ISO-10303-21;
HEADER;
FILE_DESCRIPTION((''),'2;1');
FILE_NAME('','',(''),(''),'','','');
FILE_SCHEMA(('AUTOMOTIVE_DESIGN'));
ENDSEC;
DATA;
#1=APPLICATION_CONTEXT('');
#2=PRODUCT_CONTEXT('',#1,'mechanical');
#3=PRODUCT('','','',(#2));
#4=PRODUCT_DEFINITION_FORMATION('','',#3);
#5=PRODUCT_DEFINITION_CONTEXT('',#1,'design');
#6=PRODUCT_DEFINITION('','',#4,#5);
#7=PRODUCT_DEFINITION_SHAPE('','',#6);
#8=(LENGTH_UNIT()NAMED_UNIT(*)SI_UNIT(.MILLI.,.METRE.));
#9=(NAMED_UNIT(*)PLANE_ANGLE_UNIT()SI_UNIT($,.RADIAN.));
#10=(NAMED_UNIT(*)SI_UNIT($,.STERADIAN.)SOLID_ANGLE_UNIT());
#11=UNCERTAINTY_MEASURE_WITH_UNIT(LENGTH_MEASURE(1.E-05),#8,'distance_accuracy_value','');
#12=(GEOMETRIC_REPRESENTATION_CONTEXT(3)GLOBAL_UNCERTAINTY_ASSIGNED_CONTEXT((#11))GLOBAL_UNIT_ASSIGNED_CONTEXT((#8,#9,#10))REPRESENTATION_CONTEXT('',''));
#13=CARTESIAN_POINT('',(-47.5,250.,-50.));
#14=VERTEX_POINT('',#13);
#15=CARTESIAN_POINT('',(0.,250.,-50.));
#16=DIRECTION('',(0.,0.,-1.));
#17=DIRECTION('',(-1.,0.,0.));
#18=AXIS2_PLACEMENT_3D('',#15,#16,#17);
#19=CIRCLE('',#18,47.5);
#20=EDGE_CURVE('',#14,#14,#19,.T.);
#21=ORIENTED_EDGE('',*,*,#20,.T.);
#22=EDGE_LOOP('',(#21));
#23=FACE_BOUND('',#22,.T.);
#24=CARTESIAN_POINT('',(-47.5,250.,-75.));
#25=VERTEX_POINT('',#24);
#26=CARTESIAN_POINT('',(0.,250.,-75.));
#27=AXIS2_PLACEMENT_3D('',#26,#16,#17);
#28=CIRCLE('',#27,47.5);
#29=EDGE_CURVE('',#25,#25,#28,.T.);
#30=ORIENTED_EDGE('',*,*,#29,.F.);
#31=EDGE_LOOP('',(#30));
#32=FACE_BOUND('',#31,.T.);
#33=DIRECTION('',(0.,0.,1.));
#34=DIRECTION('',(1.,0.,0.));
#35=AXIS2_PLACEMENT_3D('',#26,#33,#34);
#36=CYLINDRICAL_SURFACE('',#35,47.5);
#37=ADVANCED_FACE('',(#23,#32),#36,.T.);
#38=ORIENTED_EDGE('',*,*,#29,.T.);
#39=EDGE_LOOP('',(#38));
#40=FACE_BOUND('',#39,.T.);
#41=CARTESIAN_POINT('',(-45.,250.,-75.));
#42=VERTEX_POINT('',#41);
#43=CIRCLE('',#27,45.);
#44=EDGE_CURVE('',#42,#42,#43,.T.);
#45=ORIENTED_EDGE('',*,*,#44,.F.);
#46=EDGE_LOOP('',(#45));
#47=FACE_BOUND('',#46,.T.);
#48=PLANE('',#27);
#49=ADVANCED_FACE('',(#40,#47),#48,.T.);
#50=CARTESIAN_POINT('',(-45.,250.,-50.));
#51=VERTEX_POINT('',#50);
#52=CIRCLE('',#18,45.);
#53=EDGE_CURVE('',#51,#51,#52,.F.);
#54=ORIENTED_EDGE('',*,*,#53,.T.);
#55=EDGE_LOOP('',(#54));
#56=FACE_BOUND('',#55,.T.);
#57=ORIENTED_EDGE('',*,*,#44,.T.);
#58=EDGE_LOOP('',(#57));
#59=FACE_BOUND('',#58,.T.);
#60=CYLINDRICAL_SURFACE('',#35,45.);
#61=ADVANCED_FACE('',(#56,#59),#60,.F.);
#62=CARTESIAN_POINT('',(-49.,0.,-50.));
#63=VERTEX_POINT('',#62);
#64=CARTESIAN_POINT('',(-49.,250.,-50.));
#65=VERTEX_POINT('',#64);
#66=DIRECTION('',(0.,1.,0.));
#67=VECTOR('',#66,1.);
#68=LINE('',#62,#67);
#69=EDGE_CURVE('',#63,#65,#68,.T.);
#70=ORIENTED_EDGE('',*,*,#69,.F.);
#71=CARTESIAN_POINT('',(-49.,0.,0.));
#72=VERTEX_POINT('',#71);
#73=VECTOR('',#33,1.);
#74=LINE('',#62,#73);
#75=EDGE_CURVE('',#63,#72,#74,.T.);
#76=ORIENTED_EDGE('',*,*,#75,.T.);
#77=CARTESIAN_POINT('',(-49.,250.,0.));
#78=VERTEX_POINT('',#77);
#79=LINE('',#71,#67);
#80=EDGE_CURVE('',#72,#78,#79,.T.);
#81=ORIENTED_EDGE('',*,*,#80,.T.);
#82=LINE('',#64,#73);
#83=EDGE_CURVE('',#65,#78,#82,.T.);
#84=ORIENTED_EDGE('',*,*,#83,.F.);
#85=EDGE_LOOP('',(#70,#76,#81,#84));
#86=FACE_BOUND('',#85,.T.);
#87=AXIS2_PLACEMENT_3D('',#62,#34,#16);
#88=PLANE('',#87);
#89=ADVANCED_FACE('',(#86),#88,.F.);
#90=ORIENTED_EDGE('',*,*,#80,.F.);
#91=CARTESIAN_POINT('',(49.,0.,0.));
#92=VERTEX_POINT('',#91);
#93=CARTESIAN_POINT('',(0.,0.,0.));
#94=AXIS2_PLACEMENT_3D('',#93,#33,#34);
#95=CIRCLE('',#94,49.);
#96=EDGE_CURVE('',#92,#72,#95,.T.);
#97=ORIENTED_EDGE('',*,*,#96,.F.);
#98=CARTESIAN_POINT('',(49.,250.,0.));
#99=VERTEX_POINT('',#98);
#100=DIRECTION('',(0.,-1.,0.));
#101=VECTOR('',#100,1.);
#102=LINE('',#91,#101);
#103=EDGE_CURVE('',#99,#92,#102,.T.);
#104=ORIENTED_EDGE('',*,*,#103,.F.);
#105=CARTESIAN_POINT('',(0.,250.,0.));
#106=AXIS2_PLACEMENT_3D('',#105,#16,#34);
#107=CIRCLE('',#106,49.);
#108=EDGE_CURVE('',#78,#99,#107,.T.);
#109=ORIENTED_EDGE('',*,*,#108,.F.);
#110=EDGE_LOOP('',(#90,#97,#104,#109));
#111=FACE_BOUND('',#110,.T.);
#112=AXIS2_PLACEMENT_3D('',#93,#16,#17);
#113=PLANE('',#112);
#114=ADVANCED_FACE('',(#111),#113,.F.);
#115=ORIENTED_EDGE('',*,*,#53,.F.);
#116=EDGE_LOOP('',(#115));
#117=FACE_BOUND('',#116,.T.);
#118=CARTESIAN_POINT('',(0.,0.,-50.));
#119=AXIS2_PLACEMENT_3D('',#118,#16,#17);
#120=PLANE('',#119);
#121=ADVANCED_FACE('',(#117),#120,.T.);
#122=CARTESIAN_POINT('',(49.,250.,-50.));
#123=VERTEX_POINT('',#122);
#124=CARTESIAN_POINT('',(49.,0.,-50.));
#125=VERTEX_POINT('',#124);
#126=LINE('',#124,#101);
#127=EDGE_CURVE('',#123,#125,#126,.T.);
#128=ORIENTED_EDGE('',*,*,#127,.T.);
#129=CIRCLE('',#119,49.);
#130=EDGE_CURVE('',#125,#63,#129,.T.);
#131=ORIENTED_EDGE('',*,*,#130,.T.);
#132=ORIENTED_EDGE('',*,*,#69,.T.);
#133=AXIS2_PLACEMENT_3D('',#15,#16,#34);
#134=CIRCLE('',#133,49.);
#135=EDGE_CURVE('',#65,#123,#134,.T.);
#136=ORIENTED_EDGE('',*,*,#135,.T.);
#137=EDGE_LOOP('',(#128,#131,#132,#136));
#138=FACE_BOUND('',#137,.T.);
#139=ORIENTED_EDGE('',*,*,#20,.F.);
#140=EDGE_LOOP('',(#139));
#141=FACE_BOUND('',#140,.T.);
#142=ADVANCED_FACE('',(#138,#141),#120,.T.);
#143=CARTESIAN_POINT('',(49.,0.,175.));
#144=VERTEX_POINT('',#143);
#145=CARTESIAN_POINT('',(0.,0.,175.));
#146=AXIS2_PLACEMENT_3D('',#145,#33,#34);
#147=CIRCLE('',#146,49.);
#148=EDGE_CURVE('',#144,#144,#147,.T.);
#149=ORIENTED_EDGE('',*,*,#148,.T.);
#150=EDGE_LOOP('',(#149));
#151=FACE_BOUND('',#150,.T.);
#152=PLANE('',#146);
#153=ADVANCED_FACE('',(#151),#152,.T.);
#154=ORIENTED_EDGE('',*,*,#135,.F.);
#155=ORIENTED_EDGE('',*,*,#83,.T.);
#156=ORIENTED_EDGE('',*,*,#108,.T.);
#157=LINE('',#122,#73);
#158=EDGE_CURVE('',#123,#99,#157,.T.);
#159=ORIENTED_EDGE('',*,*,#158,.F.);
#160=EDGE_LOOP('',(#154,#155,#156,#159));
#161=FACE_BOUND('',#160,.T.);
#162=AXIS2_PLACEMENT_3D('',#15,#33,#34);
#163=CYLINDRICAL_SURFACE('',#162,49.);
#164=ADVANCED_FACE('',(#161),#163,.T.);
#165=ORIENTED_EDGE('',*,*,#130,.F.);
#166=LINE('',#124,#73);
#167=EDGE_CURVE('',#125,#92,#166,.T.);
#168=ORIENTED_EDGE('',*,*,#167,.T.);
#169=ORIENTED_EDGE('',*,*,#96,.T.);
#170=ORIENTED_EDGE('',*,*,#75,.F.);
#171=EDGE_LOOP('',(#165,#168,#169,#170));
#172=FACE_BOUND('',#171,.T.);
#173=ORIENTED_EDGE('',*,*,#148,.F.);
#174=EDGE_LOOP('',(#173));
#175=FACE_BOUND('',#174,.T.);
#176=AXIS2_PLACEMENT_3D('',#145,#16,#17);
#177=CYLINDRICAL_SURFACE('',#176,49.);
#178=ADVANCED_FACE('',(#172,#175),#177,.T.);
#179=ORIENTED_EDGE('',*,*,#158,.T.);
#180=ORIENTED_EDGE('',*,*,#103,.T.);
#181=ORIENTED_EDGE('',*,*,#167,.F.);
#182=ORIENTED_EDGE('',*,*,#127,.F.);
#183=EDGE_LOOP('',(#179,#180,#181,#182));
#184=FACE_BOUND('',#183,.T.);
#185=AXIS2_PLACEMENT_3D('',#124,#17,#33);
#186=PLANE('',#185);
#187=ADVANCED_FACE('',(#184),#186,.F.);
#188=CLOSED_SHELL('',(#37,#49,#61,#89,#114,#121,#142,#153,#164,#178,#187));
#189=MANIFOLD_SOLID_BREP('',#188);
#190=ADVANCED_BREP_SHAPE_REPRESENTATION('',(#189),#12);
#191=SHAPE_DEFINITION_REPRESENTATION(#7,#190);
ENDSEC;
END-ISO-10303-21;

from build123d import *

# Parameters (mm, degrees)
SKETCH1_R           = 49
BOSS_EXTRUDE1_DEPTH = 175
BOSS_EXTRUDE2_START = 50
BOSS_EXTRUDE2_DEPTH = 50
SKETCH3_R           = 47.5
SKETCH3_R_2         = 45
BOSS_EXTRUDE3_DEPTH = 25


with BuildPart() as part:
    # Sketch1 → Boss-Extrude1 (new body)
    with BuildSketch(Plane.XY):
        Circle(SKETCH1_R)
    extrude(amount=BOSS_EXTRUDE1_DEPTH)

    # Sketch2 → Boss-Extrude2 (add)
    with BuildSketch(Plane(origin=(0, 0, 0), x_dir=(-1, 0, 0), z_dir=(0, 0, -1)).offset(BOSS_EXTRUDE2_START)):
        with BuildLine():
            Line((-49, 0), (-49, 250))
            ThreePointArc((-49, 250), (0, 299), (49, 250))
            Line((49, 250), (49, 0))
            ThreePointArc((49, 0), (0, -49), (-49, 0))
        make_face()
    extrude(amount=-BOSS_EXTRUDE2_DEPTH)

    # Sketch3 → Boss-Extrude3 (add)
    with BuildSketch(Plane(origin=(0, 0, -50), x_dir=(-1, 0, 0), z_dir=(0, 0, -1))):
        with Locations((0, 250)):
            Circle(SKETCH3_R)
        with Locations((0, 250)):
            Circle(SKETCH3_R_2, mode=Mode.SUBTRACT)
    extrude(amount=BOSS_EXTRUDE3_DEPTH)


solid = part.part
